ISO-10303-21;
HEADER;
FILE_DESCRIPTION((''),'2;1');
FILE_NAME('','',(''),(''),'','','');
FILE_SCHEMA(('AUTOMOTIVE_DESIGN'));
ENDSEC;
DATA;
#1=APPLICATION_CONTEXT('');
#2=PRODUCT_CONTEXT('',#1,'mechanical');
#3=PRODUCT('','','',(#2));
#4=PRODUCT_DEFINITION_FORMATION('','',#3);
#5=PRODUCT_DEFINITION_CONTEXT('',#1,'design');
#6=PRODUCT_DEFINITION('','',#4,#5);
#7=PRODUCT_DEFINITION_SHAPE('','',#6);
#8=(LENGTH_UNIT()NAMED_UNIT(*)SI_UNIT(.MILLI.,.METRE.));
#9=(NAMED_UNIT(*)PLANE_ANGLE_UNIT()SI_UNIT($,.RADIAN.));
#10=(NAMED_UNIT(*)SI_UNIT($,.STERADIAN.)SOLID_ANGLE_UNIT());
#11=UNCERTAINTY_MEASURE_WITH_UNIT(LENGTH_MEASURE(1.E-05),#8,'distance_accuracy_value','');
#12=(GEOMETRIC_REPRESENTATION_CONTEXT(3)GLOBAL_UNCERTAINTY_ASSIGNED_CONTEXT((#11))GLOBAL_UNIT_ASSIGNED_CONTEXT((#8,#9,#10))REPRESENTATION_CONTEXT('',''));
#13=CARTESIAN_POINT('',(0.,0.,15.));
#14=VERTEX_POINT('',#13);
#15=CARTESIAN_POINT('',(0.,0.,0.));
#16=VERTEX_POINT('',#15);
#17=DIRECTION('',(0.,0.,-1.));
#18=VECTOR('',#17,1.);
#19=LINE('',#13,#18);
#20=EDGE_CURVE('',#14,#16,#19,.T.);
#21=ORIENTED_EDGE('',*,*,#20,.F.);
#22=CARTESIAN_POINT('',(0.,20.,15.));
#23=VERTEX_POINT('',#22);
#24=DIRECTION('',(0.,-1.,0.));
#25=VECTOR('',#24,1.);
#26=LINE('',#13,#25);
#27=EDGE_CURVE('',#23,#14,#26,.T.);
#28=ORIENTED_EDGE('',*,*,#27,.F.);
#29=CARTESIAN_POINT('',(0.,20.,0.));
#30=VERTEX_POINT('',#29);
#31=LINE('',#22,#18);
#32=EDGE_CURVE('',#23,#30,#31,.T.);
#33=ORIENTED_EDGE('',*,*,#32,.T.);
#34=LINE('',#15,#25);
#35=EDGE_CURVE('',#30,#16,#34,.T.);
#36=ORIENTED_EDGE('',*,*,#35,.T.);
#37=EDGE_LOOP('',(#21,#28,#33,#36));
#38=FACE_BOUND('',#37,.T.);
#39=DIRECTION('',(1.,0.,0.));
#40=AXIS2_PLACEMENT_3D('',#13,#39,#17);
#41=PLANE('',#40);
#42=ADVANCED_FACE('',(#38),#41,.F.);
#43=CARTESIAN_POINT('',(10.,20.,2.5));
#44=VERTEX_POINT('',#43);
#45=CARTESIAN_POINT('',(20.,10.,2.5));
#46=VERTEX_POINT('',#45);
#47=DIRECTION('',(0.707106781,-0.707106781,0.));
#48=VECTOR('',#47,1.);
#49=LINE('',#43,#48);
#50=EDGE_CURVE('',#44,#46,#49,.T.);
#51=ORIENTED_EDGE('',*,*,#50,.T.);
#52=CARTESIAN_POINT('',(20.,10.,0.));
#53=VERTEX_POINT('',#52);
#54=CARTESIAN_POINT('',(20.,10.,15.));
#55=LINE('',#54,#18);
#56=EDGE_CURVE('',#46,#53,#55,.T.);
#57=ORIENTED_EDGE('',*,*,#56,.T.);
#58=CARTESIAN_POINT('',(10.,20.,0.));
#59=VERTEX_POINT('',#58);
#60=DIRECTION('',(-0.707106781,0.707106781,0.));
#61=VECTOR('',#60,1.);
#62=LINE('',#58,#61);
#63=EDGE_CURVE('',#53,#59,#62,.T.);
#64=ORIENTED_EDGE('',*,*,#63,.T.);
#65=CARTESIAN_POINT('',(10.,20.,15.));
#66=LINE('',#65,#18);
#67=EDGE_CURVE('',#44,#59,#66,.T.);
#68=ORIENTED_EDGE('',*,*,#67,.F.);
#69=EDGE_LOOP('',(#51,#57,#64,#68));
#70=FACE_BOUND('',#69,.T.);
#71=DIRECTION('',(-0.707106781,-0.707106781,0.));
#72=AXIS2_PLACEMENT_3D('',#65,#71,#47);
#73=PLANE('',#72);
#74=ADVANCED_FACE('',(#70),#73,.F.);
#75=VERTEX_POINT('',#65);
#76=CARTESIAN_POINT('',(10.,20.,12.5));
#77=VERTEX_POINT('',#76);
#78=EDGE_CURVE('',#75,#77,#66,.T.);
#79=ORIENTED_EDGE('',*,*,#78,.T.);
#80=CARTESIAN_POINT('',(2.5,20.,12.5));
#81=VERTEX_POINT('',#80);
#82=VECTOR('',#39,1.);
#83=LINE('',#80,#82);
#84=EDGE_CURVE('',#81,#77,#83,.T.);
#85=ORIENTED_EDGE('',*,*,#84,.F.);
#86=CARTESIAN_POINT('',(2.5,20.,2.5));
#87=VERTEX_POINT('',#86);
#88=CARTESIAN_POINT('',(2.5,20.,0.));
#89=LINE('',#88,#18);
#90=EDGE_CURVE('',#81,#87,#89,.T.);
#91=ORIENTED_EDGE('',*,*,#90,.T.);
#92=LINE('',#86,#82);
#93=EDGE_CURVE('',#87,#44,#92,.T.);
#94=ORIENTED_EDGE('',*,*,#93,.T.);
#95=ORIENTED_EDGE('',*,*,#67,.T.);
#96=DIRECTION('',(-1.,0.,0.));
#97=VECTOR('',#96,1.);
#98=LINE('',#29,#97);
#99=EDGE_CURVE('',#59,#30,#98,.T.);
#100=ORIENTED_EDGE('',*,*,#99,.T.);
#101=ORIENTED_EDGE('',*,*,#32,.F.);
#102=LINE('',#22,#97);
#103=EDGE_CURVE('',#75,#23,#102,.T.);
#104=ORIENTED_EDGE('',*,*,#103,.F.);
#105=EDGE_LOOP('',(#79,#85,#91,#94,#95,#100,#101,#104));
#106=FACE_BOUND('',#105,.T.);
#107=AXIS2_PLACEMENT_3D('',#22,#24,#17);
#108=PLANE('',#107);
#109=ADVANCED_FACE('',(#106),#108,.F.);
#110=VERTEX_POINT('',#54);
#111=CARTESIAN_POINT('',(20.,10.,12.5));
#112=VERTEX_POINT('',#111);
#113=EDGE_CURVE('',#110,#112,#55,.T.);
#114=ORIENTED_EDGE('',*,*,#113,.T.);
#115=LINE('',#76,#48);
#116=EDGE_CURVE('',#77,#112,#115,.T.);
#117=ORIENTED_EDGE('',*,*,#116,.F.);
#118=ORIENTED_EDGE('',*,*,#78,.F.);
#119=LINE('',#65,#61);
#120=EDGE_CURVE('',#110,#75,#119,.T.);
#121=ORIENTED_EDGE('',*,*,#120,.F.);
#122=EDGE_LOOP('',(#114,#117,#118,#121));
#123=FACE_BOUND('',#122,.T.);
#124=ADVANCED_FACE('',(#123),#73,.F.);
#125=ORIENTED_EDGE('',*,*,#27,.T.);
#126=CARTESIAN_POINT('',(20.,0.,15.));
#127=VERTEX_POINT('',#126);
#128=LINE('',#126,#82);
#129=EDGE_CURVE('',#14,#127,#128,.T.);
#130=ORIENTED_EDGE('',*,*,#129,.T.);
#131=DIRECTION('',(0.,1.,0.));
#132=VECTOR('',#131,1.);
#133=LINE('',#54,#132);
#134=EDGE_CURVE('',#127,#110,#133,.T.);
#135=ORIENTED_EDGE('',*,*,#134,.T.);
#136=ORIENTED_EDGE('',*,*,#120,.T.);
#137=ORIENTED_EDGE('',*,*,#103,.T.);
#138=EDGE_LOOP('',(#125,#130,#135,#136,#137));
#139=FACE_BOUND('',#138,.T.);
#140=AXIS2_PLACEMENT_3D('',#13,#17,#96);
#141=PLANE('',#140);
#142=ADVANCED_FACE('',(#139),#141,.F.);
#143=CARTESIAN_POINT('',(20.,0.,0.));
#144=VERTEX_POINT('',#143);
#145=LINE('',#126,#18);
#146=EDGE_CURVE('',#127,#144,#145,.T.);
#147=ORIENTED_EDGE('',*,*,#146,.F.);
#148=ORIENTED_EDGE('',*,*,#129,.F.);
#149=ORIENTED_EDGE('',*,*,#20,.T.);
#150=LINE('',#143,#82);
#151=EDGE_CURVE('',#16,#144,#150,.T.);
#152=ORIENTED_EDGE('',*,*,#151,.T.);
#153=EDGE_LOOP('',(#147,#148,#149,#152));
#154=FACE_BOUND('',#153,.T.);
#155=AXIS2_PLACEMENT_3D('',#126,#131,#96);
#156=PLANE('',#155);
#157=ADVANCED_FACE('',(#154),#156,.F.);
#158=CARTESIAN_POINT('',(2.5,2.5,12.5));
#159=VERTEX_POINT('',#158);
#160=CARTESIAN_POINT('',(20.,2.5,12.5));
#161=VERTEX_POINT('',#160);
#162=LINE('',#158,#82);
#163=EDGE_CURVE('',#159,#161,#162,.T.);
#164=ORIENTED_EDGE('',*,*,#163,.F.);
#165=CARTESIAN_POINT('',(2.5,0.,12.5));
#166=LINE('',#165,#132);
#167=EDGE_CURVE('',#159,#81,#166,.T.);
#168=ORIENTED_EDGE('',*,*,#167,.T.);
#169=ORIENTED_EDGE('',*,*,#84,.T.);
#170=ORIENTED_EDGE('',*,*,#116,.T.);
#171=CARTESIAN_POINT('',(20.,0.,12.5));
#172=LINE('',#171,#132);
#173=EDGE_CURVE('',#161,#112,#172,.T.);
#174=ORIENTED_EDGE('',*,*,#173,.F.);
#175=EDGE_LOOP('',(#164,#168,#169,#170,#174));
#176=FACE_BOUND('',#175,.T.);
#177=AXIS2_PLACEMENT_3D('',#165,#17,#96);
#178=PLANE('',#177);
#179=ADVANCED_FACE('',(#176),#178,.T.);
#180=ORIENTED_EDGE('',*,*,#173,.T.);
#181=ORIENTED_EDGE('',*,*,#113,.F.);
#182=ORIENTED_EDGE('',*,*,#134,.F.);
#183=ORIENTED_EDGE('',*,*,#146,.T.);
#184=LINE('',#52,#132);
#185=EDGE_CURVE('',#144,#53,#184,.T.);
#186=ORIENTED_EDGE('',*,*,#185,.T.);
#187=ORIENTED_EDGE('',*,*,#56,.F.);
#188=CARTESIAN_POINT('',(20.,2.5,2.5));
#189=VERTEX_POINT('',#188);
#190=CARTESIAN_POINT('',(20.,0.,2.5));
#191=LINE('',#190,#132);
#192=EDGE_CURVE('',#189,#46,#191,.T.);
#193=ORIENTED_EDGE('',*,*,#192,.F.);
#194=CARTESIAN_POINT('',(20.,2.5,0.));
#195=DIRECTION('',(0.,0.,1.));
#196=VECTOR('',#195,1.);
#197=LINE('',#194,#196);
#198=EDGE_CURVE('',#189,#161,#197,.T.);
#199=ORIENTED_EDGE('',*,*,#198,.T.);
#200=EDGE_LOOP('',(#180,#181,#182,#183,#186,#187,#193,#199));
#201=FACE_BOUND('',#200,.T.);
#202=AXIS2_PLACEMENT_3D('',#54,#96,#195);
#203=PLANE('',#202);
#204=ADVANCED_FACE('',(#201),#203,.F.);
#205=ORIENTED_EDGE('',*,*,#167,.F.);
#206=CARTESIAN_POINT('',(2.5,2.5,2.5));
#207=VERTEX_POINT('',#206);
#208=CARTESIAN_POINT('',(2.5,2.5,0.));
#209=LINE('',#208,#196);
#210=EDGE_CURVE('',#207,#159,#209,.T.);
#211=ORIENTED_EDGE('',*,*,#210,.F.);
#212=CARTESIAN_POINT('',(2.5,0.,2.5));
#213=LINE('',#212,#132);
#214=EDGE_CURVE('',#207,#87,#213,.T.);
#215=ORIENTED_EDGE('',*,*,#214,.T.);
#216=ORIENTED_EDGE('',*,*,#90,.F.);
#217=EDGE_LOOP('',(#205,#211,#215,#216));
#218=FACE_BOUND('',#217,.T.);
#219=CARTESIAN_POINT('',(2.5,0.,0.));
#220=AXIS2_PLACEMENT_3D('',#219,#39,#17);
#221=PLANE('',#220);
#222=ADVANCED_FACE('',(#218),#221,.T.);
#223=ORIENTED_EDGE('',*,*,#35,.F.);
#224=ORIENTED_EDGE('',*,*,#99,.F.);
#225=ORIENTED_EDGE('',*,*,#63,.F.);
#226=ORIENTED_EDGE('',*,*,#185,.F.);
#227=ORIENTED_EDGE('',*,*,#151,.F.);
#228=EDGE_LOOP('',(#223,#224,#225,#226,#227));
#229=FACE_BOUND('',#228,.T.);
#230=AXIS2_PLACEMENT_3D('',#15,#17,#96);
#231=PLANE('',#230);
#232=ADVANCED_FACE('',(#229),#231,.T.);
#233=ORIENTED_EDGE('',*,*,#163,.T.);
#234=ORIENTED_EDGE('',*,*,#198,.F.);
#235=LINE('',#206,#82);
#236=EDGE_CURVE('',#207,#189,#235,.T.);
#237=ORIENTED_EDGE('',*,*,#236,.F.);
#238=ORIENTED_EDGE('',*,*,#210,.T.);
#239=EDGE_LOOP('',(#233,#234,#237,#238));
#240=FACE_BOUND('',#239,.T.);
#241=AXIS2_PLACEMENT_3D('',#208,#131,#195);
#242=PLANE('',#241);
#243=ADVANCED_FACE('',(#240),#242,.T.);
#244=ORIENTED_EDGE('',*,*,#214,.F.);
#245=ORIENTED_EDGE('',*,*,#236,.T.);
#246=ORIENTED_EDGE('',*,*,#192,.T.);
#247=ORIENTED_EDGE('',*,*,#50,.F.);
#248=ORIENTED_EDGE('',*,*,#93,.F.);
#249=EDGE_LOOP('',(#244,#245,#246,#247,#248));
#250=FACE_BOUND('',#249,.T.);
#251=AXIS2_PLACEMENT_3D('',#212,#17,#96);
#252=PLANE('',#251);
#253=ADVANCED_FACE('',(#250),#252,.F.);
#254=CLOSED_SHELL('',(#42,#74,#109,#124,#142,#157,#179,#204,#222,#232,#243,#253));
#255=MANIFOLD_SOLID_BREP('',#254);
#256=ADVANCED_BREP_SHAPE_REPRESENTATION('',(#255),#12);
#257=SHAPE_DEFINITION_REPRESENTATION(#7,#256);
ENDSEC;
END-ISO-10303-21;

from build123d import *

# Parameters (mm, degrees)
BOSS_EXTRUDE1_DEPTH = 15
SKETCH2_W           = 10
SKETCH2_H           = 2.5
SKETCH2_H_2         = 7.5
CUT_EXTRUDE2_DEPTH  = 17.5


with BuildPart() as part:
    # Sketch1 → Boss-Extrude1 (new body)
    with BuildSketch(Plane.XY):
        Polygon((0, 0), (0, 20), (10, 20), (20, 10), (20, 0), align=None)
    extrude(amount=BOSS_EXTRUDE1_DEPTH)

    # Sketch2 → Cut-Extrude2 (cut)
    with BuildSketch(Plane(origin=(20, 0, 0), x_dir=(0, 0, -1), z_dir=(1, 0, 0))):
        with Locations((-7.5, 18.75)):
            Rectangle(SKETCH2_W, SKETCH2_H)
        with Locations((-7.5, 13.75)):
            Rectangle(SKETCH2_W, SKETCH2_H_2)
        with Locations((-7.5, 6.25)):
            Rectangle(SKETCH2_W, SKETCH2_H_2)
    extrude(amount=-CUT_EXTRUDE2_DEPTH, mode=Mode.SUBTRACT)


solid = part.part
